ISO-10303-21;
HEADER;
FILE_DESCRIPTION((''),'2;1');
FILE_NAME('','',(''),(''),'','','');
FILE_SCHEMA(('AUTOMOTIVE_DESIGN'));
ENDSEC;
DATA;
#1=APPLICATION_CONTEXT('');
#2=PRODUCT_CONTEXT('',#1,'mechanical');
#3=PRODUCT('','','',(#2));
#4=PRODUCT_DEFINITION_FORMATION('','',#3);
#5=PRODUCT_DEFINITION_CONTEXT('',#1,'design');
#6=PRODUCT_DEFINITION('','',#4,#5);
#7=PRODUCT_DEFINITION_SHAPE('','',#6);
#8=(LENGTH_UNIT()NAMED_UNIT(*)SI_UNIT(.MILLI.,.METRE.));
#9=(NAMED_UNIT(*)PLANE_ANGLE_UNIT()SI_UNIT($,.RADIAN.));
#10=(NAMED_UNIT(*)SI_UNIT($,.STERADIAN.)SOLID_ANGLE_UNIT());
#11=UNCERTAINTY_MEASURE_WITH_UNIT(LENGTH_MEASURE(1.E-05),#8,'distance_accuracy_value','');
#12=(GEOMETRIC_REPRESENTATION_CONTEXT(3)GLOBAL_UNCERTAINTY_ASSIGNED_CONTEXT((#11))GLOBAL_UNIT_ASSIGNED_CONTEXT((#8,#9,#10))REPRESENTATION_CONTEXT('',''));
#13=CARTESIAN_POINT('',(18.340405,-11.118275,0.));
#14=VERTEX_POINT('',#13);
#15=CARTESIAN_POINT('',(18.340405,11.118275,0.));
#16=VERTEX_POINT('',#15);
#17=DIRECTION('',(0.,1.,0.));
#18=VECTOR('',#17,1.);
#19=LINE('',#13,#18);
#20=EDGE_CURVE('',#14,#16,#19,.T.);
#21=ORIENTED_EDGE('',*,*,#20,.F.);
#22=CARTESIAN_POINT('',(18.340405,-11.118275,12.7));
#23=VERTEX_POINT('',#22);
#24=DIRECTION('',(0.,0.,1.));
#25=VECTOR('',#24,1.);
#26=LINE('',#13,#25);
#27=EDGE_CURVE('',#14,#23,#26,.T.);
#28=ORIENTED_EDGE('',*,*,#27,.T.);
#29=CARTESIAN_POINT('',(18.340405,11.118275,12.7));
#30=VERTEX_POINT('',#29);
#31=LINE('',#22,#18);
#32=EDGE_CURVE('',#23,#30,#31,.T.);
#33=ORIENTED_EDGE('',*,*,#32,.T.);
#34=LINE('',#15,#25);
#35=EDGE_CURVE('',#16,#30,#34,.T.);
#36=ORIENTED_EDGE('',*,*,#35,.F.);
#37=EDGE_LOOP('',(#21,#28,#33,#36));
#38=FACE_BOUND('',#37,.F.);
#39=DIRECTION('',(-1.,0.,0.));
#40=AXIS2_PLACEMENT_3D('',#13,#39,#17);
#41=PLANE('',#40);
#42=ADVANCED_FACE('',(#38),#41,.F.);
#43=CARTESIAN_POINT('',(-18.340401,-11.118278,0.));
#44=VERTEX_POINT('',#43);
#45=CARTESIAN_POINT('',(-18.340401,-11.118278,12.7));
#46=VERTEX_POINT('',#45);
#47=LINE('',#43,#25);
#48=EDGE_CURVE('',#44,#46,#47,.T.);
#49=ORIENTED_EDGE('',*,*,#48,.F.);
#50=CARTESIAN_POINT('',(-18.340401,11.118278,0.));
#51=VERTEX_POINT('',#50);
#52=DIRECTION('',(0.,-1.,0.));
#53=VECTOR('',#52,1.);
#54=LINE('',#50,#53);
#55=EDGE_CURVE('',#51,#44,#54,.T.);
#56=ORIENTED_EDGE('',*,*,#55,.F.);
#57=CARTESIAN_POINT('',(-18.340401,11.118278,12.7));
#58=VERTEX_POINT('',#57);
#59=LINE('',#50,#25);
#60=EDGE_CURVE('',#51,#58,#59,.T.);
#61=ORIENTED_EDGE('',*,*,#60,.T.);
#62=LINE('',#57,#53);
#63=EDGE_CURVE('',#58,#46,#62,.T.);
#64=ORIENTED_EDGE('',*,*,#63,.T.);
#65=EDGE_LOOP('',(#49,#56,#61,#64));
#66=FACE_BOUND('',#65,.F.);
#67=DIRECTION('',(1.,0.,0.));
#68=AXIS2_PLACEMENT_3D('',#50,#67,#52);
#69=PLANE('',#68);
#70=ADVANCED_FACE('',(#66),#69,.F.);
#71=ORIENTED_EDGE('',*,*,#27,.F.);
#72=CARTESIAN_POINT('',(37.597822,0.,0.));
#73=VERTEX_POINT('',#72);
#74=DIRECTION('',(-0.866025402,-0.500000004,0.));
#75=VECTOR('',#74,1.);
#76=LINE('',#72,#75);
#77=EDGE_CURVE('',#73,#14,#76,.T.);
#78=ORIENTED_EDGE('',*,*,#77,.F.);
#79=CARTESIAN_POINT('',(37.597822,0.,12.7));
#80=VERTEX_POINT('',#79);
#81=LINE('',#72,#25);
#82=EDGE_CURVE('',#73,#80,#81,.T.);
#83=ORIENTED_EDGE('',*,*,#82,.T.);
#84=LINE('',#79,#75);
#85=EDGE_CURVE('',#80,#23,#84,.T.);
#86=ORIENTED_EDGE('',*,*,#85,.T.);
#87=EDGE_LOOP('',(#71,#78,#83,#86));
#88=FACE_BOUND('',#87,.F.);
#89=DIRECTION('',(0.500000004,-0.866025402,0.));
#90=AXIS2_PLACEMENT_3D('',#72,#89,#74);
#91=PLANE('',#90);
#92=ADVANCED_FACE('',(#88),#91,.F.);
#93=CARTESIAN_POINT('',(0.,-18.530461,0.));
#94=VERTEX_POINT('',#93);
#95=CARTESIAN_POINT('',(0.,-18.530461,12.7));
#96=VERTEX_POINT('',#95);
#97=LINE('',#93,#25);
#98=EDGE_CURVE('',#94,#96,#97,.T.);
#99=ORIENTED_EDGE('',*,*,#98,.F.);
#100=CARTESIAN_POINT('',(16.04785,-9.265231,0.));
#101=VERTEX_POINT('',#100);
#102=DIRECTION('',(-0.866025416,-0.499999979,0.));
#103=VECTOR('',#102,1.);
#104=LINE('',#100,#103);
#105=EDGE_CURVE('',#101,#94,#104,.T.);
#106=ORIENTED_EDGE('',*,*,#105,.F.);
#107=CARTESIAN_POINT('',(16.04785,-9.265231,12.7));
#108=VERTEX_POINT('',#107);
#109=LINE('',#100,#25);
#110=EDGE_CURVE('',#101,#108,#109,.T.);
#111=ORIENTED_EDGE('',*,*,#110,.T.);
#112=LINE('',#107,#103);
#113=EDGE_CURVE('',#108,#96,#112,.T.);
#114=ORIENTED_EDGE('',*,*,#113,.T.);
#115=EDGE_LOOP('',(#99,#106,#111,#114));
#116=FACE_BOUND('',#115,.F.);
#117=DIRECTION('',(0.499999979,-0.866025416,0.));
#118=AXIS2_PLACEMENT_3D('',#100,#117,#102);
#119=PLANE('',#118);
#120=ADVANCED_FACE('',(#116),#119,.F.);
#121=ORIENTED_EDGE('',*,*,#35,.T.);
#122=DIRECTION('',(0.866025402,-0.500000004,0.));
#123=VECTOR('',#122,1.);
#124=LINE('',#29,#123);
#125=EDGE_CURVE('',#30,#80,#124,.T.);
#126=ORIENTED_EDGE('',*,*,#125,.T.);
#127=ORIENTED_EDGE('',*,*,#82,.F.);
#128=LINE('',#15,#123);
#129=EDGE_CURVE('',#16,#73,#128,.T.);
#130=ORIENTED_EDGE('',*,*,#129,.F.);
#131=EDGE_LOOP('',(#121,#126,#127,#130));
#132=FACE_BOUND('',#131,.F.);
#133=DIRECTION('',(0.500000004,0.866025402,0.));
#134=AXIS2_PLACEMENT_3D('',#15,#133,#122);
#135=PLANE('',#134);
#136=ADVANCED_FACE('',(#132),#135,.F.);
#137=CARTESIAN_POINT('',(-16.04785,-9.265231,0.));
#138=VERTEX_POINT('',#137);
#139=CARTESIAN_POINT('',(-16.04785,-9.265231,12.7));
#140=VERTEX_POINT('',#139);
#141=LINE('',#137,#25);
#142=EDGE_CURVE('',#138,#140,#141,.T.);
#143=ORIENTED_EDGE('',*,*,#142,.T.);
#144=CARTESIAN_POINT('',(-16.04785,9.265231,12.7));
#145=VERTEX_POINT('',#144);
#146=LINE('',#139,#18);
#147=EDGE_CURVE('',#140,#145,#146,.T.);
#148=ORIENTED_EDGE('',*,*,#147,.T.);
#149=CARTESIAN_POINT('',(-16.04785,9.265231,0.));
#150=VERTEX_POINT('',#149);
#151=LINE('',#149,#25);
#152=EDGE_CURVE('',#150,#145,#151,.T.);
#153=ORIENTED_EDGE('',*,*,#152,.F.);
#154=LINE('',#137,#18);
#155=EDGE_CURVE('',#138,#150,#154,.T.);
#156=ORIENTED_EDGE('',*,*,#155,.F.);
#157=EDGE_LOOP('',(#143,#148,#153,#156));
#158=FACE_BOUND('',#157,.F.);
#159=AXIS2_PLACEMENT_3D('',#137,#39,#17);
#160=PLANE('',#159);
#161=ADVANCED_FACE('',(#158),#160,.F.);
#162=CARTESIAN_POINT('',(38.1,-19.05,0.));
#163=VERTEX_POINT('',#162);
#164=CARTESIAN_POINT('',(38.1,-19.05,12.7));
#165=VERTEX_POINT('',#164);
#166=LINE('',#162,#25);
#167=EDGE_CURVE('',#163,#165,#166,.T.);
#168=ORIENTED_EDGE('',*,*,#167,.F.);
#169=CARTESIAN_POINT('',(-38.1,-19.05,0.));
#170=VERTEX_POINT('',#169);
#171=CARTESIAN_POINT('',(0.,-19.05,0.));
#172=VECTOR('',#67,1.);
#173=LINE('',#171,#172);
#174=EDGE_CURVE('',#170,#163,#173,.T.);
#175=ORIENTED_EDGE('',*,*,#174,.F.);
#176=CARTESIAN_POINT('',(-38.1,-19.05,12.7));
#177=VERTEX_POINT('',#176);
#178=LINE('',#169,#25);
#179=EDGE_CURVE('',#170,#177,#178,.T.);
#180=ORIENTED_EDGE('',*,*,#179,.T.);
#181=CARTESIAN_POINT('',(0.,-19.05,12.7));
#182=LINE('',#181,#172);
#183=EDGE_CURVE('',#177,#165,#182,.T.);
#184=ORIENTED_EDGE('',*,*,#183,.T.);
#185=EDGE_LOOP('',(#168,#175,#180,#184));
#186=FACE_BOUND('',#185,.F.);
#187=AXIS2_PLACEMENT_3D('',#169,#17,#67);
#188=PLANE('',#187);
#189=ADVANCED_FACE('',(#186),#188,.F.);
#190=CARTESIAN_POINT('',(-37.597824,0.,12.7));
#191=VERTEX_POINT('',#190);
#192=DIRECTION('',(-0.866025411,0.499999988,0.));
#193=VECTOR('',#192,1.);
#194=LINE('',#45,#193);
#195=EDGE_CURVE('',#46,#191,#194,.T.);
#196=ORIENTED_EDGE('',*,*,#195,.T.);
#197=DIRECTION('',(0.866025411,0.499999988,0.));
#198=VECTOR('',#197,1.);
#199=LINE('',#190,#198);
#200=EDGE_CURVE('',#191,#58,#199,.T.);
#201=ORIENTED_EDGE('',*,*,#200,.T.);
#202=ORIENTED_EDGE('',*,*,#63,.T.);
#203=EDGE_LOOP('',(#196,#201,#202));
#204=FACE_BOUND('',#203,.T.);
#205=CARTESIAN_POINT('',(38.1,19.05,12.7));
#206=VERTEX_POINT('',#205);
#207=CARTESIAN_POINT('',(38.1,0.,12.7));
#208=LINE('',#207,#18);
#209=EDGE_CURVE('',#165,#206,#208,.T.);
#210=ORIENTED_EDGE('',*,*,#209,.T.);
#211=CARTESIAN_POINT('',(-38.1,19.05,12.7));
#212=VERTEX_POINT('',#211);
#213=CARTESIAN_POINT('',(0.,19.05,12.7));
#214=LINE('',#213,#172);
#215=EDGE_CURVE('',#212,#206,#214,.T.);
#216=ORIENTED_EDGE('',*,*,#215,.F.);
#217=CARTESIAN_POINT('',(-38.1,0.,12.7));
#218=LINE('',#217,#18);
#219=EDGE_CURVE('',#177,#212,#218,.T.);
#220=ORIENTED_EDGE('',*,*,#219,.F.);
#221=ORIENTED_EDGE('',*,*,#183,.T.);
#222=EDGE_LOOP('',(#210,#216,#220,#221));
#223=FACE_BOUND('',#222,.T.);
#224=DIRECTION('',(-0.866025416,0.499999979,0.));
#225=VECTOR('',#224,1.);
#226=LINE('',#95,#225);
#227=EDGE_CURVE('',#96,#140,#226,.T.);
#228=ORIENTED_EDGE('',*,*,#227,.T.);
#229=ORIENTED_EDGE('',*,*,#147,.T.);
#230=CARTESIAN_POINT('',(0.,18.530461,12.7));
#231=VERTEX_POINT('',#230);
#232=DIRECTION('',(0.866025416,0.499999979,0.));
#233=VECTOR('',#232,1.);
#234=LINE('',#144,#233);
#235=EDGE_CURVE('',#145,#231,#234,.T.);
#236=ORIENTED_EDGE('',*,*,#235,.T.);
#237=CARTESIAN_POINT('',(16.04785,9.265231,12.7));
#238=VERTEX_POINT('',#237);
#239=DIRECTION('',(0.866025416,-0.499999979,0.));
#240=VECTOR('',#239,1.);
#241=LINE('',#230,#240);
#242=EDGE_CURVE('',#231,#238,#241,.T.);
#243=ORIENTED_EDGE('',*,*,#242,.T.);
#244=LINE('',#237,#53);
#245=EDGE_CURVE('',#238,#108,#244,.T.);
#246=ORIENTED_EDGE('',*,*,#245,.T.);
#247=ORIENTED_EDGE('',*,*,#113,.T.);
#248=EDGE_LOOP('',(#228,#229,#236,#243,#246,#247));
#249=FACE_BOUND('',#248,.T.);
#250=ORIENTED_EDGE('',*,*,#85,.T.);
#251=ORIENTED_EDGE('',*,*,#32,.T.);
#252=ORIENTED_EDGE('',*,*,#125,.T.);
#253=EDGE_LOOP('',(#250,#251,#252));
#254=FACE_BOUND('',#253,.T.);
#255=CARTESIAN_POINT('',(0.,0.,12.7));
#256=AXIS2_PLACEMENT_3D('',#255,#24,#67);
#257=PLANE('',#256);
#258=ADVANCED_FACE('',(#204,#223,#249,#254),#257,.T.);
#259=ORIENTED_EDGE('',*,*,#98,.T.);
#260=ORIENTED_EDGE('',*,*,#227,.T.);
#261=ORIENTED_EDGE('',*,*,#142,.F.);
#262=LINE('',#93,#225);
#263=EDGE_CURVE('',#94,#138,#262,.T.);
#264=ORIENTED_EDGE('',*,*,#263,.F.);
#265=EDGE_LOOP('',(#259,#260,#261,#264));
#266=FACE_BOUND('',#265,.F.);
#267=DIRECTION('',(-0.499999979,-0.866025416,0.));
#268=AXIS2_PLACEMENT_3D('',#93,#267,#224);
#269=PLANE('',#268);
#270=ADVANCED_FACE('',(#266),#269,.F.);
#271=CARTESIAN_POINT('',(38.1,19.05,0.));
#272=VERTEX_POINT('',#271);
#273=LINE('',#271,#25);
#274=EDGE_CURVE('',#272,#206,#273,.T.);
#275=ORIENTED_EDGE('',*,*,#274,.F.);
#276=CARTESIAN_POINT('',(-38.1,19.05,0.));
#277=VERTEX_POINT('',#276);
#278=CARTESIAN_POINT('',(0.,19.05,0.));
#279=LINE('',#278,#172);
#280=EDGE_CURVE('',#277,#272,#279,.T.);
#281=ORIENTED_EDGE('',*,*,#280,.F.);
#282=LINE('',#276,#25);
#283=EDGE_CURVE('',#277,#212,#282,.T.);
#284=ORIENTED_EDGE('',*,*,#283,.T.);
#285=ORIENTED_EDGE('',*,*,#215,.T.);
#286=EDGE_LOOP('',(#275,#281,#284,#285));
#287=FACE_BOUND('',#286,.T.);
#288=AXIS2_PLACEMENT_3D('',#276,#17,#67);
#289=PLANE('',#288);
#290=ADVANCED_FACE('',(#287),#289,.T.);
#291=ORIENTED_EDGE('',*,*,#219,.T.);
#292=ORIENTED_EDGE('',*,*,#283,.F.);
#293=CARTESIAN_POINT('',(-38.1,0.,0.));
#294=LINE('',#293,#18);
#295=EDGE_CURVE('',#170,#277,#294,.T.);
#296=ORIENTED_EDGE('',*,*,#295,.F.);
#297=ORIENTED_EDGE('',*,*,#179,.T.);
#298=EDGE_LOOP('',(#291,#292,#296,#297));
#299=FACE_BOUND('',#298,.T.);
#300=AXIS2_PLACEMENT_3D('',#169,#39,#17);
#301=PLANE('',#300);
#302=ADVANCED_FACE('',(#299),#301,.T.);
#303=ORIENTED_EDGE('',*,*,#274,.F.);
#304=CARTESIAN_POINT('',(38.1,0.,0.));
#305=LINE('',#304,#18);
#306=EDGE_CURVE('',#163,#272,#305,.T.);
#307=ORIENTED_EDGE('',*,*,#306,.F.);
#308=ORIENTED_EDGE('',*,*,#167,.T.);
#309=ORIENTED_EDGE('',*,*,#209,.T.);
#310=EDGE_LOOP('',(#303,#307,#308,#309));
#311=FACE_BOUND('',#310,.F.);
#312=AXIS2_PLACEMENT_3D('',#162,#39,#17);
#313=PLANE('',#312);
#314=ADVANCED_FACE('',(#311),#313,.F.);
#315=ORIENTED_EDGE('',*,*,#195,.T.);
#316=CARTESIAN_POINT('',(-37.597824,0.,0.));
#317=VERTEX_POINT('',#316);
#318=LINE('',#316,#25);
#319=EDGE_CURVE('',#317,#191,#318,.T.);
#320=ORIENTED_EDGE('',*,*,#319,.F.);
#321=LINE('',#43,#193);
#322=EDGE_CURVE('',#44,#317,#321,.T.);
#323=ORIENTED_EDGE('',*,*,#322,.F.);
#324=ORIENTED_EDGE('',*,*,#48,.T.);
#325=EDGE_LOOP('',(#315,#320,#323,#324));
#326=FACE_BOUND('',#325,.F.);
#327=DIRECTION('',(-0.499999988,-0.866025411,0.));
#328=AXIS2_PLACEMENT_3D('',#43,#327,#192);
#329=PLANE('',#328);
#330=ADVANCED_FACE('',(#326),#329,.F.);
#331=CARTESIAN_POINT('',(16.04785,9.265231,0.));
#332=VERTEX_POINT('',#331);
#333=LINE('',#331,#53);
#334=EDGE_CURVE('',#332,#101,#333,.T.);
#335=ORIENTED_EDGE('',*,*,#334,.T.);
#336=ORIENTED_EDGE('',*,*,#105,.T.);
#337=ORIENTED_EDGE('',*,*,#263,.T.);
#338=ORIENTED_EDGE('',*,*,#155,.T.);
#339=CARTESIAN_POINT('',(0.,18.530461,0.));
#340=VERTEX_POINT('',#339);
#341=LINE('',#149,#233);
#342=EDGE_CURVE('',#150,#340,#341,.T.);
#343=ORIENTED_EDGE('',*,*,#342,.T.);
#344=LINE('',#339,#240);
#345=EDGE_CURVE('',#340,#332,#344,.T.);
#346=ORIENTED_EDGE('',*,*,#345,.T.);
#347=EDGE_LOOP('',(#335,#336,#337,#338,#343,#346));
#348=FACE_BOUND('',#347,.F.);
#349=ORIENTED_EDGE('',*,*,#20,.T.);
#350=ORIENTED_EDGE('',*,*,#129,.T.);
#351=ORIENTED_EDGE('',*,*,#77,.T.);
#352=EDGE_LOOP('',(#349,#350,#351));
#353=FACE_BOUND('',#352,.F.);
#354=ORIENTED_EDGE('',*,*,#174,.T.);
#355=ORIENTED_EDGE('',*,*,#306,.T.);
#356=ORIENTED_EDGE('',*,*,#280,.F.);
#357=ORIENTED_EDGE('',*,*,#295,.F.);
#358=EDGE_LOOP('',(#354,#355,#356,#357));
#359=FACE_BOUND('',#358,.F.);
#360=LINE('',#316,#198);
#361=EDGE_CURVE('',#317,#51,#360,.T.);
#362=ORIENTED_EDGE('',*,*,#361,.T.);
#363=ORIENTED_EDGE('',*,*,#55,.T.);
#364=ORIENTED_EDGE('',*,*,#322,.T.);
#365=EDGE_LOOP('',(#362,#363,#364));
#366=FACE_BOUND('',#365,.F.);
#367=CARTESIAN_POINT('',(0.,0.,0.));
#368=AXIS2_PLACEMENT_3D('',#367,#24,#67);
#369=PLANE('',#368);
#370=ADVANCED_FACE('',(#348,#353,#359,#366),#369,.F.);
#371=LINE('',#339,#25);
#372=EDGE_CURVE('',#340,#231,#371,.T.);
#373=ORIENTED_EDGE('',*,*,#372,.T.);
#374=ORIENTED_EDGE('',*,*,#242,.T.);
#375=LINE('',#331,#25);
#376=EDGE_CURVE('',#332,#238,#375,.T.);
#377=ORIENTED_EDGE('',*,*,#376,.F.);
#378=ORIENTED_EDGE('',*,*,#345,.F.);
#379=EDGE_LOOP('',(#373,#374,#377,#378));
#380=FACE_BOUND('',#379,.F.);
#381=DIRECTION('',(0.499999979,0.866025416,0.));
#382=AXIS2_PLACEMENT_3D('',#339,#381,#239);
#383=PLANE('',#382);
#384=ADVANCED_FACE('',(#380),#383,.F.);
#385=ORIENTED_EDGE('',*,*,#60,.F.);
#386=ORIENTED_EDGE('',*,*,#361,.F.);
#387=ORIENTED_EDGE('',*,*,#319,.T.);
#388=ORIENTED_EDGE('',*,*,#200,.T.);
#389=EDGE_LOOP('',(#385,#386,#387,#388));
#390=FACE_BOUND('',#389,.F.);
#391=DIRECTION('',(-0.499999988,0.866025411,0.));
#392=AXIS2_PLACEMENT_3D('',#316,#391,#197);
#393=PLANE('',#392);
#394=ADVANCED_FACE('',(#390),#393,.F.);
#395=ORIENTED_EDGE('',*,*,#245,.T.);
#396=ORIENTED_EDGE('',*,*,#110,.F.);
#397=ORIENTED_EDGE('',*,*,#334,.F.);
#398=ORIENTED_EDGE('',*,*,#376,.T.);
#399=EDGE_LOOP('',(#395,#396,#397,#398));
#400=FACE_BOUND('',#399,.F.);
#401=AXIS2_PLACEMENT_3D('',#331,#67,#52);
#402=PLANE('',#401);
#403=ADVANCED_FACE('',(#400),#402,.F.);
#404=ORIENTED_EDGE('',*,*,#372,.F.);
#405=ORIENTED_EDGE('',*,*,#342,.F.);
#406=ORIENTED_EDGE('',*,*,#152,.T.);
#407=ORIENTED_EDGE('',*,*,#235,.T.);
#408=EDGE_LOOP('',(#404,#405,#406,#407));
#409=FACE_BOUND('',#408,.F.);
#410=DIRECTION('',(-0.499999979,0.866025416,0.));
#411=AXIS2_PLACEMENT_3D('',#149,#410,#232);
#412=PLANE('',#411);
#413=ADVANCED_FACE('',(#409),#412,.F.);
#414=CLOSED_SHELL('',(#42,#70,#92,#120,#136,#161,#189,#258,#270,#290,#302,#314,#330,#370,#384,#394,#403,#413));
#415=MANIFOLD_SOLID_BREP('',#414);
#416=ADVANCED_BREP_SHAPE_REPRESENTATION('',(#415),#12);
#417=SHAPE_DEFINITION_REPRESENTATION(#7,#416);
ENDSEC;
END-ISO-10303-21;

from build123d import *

# Parameters (mm, degrees)
F0_W     = 76.2
F0_H     = 38.1
F1_DEPTH = 12.7


with BuildPart() as f1:
    # F0 (on Top) → F1 (new body)
    with BuildSketch(Plane.XY):
        Rectangle(F0_W, F0_H)
        Polygon((0, -18.530461), (-16.04785, -9.265231), (-16.04785, 9.265231), (0, 18.530461), (16.04785, 9.265231), (16.04785, -9.265231), align=None, mode=Mode.SUBTRACT)
        Polygon((-37.597824, 0), (-18.340401, 11.118278), (-18.340401, -11.118278), align=None, mode=Mode.SUBTRACT)
        Polygon((37.597822, 0), (18.340405, -11.118275), (18.340405, 11.118275), align=None, mode=Mode.SUBTRACT)
    extrude(amount=F1_DEPTH)


solid = f1.part
